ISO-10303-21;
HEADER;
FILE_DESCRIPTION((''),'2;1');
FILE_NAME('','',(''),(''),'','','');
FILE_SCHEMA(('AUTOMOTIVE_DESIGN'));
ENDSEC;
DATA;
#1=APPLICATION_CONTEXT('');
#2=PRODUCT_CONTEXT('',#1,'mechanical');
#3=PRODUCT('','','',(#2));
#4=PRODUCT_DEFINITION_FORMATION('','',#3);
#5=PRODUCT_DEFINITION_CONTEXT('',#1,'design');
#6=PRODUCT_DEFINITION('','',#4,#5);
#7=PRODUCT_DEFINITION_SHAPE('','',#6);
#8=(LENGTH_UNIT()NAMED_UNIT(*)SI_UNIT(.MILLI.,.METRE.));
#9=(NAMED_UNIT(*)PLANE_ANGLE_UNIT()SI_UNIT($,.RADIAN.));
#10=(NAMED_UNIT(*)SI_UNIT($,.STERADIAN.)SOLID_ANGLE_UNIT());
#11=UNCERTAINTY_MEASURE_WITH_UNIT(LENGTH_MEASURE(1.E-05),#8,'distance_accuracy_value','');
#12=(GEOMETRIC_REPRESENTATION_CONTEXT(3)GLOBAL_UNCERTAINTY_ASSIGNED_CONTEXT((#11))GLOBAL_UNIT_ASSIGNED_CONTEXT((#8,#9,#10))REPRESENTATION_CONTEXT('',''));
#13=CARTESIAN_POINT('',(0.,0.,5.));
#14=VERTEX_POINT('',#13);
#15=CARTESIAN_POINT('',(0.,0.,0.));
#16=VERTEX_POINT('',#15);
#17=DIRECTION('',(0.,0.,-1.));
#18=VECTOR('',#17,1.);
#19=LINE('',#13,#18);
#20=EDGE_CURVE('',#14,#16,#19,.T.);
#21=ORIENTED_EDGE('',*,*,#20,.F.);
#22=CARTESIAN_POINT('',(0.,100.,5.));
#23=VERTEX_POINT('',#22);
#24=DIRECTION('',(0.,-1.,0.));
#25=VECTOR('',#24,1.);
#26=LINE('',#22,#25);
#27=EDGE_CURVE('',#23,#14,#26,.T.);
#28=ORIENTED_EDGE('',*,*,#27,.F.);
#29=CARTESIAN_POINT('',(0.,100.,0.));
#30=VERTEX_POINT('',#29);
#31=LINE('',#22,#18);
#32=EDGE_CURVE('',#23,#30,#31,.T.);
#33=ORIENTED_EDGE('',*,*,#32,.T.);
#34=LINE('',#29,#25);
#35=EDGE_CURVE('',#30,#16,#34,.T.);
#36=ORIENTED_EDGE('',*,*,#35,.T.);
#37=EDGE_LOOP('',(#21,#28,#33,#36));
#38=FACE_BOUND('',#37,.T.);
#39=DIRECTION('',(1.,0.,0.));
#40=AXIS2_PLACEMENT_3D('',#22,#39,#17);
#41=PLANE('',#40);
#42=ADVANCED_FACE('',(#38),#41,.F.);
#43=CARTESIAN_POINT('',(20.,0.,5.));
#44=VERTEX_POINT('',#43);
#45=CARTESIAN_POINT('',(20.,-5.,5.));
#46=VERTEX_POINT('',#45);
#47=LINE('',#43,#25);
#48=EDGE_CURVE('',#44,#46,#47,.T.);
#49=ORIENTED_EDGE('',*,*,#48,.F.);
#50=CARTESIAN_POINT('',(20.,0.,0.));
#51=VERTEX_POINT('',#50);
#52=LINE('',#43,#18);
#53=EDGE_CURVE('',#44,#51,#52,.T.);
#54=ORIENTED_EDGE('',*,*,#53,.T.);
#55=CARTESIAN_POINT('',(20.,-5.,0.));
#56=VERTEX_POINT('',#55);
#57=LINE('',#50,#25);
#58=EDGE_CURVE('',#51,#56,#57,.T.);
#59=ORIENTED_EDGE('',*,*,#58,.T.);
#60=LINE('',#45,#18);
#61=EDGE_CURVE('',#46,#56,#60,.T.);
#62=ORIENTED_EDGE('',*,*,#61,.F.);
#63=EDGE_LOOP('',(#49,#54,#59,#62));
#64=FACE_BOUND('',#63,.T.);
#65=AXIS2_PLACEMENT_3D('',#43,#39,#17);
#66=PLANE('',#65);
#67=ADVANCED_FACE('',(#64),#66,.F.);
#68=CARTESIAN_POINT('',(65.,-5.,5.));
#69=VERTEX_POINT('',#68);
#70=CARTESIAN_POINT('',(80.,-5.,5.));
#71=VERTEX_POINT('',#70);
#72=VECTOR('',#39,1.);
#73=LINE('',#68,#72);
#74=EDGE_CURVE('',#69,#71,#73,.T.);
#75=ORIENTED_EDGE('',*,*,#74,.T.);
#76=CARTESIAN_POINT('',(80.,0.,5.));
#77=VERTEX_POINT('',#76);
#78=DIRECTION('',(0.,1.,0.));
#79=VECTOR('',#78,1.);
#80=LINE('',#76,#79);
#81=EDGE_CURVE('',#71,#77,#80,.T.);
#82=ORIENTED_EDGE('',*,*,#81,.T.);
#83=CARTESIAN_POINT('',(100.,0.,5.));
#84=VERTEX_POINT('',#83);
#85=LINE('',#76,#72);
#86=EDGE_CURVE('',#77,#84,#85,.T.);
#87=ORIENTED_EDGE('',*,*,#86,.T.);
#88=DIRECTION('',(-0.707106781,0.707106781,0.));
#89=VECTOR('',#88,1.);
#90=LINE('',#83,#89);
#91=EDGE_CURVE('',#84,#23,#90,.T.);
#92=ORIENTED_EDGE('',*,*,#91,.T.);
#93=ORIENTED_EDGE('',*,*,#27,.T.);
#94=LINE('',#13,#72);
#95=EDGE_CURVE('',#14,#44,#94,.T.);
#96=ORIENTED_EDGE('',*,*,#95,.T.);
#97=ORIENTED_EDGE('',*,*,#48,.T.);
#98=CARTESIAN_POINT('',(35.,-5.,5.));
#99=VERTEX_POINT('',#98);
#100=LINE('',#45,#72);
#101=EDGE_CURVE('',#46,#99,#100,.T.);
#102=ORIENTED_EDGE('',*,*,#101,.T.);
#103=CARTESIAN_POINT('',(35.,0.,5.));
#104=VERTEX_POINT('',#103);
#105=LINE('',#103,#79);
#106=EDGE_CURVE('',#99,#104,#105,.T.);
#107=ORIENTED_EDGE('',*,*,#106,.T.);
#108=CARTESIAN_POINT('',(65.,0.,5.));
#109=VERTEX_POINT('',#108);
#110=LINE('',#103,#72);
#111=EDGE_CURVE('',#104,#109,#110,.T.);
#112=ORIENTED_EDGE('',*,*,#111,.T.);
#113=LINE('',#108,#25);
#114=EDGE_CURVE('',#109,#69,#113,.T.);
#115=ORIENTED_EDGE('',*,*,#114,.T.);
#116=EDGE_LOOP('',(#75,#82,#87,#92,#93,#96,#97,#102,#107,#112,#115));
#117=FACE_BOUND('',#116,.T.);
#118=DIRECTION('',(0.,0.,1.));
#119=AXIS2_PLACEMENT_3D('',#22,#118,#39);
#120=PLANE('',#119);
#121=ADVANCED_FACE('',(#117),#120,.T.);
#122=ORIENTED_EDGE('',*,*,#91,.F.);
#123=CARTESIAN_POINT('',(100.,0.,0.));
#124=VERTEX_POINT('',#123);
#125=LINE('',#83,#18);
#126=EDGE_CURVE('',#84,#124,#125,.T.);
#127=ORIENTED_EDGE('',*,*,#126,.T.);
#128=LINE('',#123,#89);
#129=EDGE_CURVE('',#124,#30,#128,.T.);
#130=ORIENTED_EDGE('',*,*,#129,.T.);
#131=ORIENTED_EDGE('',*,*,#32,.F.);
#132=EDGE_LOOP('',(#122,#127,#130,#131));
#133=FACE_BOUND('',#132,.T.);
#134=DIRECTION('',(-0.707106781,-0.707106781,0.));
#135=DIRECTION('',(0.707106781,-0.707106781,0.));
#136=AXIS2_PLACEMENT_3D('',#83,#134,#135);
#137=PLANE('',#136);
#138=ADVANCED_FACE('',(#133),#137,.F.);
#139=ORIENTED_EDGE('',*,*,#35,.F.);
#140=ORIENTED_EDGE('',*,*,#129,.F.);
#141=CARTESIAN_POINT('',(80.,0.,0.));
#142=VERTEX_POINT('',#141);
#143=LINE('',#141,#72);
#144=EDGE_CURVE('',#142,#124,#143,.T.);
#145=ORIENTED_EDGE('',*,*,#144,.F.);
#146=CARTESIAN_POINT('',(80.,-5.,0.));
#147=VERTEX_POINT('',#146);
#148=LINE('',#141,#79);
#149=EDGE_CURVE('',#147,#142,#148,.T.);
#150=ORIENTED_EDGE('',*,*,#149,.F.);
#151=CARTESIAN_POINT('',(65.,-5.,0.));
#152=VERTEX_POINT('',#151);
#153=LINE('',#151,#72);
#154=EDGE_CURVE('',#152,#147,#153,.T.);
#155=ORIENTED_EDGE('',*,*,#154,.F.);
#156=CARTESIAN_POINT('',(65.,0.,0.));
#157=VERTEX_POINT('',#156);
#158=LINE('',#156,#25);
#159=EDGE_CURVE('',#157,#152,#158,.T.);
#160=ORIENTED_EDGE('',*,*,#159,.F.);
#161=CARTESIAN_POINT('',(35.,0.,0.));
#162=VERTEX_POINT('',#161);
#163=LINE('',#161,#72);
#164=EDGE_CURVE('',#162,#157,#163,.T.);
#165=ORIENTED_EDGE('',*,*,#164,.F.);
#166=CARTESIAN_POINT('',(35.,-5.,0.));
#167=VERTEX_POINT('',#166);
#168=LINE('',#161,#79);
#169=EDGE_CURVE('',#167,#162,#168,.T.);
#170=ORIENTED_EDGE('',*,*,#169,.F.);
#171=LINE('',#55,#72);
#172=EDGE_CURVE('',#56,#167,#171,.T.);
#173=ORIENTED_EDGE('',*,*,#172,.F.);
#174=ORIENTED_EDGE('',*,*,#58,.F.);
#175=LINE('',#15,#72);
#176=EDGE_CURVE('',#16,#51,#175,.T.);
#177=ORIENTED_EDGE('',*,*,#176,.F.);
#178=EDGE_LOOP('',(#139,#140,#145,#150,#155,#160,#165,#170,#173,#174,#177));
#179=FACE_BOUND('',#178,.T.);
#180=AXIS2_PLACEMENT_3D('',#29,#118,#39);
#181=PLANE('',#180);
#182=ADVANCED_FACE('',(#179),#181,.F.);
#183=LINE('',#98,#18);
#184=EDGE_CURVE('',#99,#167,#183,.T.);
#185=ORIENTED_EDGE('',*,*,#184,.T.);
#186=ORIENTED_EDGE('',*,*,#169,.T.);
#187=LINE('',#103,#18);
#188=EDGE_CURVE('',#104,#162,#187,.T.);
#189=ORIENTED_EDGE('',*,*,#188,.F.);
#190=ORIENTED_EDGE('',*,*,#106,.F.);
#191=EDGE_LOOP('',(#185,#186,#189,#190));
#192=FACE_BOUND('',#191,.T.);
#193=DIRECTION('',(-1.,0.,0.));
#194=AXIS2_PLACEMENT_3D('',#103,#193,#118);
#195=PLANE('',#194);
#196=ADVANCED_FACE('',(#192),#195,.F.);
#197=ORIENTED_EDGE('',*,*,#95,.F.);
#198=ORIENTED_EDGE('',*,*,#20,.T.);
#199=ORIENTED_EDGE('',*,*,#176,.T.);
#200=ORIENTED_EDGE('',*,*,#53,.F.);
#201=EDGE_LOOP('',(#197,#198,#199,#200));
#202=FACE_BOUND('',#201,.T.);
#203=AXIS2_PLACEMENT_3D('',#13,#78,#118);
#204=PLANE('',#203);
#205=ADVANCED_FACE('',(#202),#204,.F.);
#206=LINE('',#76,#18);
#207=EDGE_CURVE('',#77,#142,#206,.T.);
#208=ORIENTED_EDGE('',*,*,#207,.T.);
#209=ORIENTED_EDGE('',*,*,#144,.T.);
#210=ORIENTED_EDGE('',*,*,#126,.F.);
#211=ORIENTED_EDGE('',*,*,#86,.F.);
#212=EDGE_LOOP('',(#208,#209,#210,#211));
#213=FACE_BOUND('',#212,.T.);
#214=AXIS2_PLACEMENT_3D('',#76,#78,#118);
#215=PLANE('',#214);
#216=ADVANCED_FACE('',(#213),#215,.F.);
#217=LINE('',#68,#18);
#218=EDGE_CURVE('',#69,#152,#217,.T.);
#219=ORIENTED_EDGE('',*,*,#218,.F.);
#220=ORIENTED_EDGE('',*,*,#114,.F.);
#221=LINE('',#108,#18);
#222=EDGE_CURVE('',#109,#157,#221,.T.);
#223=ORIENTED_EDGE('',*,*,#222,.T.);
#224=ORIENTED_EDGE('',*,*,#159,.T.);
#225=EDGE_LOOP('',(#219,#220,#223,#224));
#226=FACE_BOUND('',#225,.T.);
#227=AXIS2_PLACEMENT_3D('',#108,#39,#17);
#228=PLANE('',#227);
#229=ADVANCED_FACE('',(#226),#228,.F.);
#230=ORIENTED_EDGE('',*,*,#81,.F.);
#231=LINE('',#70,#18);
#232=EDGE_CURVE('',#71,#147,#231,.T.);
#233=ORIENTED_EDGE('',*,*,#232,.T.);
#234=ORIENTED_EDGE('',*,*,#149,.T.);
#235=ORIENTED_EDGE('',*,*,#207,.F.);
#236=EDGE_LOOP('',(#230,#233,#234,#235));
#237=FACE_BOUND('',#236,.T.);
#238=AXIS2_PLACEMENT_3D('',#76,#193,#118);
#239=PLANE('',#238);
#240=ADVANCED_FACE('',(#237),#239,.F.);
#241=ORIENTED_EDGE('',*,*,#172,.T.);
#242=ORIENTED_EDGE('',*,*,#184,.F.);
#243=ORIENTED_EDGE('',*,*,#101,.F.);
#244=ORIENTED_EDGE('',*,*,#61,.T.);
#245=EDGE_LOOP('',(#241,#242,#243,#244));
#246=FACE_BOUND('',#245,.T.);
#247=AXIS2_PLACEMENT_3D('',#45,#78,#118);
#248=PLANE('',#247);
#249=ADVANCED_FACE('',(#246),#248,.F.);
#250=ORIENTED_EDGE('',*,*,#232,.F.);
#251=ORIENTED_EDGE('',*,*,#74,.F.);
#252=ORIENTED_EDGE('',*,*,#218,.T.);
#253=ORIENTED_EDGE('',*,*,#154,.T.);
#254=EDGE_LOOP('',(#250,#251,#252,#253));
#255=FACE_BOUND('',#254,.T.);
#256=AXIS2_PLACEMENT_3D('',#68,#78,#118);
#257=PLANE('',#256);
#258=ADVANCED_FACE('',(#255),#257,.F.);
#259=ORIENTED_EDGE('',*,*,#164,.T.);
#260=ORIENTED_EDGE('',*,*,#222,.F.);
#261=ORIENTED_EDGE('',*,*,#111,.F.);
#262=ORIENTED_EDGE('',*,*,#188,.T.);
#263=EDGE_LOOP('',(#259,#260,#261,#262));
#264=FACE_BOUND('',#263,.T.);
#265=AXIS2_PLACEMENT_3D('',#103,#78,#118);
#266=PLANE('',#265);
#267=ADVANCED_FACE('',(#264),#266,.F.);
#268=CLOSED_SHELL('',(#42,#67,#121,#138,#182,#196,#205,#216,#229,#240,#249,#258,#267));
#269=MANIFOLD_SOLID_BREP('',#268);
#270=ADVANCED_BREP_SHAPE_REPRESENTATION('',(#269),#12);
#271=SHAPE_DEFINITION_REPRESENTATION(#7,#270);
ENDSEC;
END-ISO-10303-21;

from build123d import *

# Parameters (mm, degrees)
BOSS_EXTRUDE1_DEPTH = 5


with BuildPart() as part:
    # Sketch1 → Boss-Extrude1 (new body)
    with BuildSketch(Plane.XY):
        Polygon((0, 100), (0, 0), (20, 0), (20, -5), (35, -5), (35, 0), (65, 0), (65, -5), (80, -5), (80, 0), (100, 0), align=None)
    extrude(amount=BOSS_EXTRUDE1_DEPTH)


solid = part.part
